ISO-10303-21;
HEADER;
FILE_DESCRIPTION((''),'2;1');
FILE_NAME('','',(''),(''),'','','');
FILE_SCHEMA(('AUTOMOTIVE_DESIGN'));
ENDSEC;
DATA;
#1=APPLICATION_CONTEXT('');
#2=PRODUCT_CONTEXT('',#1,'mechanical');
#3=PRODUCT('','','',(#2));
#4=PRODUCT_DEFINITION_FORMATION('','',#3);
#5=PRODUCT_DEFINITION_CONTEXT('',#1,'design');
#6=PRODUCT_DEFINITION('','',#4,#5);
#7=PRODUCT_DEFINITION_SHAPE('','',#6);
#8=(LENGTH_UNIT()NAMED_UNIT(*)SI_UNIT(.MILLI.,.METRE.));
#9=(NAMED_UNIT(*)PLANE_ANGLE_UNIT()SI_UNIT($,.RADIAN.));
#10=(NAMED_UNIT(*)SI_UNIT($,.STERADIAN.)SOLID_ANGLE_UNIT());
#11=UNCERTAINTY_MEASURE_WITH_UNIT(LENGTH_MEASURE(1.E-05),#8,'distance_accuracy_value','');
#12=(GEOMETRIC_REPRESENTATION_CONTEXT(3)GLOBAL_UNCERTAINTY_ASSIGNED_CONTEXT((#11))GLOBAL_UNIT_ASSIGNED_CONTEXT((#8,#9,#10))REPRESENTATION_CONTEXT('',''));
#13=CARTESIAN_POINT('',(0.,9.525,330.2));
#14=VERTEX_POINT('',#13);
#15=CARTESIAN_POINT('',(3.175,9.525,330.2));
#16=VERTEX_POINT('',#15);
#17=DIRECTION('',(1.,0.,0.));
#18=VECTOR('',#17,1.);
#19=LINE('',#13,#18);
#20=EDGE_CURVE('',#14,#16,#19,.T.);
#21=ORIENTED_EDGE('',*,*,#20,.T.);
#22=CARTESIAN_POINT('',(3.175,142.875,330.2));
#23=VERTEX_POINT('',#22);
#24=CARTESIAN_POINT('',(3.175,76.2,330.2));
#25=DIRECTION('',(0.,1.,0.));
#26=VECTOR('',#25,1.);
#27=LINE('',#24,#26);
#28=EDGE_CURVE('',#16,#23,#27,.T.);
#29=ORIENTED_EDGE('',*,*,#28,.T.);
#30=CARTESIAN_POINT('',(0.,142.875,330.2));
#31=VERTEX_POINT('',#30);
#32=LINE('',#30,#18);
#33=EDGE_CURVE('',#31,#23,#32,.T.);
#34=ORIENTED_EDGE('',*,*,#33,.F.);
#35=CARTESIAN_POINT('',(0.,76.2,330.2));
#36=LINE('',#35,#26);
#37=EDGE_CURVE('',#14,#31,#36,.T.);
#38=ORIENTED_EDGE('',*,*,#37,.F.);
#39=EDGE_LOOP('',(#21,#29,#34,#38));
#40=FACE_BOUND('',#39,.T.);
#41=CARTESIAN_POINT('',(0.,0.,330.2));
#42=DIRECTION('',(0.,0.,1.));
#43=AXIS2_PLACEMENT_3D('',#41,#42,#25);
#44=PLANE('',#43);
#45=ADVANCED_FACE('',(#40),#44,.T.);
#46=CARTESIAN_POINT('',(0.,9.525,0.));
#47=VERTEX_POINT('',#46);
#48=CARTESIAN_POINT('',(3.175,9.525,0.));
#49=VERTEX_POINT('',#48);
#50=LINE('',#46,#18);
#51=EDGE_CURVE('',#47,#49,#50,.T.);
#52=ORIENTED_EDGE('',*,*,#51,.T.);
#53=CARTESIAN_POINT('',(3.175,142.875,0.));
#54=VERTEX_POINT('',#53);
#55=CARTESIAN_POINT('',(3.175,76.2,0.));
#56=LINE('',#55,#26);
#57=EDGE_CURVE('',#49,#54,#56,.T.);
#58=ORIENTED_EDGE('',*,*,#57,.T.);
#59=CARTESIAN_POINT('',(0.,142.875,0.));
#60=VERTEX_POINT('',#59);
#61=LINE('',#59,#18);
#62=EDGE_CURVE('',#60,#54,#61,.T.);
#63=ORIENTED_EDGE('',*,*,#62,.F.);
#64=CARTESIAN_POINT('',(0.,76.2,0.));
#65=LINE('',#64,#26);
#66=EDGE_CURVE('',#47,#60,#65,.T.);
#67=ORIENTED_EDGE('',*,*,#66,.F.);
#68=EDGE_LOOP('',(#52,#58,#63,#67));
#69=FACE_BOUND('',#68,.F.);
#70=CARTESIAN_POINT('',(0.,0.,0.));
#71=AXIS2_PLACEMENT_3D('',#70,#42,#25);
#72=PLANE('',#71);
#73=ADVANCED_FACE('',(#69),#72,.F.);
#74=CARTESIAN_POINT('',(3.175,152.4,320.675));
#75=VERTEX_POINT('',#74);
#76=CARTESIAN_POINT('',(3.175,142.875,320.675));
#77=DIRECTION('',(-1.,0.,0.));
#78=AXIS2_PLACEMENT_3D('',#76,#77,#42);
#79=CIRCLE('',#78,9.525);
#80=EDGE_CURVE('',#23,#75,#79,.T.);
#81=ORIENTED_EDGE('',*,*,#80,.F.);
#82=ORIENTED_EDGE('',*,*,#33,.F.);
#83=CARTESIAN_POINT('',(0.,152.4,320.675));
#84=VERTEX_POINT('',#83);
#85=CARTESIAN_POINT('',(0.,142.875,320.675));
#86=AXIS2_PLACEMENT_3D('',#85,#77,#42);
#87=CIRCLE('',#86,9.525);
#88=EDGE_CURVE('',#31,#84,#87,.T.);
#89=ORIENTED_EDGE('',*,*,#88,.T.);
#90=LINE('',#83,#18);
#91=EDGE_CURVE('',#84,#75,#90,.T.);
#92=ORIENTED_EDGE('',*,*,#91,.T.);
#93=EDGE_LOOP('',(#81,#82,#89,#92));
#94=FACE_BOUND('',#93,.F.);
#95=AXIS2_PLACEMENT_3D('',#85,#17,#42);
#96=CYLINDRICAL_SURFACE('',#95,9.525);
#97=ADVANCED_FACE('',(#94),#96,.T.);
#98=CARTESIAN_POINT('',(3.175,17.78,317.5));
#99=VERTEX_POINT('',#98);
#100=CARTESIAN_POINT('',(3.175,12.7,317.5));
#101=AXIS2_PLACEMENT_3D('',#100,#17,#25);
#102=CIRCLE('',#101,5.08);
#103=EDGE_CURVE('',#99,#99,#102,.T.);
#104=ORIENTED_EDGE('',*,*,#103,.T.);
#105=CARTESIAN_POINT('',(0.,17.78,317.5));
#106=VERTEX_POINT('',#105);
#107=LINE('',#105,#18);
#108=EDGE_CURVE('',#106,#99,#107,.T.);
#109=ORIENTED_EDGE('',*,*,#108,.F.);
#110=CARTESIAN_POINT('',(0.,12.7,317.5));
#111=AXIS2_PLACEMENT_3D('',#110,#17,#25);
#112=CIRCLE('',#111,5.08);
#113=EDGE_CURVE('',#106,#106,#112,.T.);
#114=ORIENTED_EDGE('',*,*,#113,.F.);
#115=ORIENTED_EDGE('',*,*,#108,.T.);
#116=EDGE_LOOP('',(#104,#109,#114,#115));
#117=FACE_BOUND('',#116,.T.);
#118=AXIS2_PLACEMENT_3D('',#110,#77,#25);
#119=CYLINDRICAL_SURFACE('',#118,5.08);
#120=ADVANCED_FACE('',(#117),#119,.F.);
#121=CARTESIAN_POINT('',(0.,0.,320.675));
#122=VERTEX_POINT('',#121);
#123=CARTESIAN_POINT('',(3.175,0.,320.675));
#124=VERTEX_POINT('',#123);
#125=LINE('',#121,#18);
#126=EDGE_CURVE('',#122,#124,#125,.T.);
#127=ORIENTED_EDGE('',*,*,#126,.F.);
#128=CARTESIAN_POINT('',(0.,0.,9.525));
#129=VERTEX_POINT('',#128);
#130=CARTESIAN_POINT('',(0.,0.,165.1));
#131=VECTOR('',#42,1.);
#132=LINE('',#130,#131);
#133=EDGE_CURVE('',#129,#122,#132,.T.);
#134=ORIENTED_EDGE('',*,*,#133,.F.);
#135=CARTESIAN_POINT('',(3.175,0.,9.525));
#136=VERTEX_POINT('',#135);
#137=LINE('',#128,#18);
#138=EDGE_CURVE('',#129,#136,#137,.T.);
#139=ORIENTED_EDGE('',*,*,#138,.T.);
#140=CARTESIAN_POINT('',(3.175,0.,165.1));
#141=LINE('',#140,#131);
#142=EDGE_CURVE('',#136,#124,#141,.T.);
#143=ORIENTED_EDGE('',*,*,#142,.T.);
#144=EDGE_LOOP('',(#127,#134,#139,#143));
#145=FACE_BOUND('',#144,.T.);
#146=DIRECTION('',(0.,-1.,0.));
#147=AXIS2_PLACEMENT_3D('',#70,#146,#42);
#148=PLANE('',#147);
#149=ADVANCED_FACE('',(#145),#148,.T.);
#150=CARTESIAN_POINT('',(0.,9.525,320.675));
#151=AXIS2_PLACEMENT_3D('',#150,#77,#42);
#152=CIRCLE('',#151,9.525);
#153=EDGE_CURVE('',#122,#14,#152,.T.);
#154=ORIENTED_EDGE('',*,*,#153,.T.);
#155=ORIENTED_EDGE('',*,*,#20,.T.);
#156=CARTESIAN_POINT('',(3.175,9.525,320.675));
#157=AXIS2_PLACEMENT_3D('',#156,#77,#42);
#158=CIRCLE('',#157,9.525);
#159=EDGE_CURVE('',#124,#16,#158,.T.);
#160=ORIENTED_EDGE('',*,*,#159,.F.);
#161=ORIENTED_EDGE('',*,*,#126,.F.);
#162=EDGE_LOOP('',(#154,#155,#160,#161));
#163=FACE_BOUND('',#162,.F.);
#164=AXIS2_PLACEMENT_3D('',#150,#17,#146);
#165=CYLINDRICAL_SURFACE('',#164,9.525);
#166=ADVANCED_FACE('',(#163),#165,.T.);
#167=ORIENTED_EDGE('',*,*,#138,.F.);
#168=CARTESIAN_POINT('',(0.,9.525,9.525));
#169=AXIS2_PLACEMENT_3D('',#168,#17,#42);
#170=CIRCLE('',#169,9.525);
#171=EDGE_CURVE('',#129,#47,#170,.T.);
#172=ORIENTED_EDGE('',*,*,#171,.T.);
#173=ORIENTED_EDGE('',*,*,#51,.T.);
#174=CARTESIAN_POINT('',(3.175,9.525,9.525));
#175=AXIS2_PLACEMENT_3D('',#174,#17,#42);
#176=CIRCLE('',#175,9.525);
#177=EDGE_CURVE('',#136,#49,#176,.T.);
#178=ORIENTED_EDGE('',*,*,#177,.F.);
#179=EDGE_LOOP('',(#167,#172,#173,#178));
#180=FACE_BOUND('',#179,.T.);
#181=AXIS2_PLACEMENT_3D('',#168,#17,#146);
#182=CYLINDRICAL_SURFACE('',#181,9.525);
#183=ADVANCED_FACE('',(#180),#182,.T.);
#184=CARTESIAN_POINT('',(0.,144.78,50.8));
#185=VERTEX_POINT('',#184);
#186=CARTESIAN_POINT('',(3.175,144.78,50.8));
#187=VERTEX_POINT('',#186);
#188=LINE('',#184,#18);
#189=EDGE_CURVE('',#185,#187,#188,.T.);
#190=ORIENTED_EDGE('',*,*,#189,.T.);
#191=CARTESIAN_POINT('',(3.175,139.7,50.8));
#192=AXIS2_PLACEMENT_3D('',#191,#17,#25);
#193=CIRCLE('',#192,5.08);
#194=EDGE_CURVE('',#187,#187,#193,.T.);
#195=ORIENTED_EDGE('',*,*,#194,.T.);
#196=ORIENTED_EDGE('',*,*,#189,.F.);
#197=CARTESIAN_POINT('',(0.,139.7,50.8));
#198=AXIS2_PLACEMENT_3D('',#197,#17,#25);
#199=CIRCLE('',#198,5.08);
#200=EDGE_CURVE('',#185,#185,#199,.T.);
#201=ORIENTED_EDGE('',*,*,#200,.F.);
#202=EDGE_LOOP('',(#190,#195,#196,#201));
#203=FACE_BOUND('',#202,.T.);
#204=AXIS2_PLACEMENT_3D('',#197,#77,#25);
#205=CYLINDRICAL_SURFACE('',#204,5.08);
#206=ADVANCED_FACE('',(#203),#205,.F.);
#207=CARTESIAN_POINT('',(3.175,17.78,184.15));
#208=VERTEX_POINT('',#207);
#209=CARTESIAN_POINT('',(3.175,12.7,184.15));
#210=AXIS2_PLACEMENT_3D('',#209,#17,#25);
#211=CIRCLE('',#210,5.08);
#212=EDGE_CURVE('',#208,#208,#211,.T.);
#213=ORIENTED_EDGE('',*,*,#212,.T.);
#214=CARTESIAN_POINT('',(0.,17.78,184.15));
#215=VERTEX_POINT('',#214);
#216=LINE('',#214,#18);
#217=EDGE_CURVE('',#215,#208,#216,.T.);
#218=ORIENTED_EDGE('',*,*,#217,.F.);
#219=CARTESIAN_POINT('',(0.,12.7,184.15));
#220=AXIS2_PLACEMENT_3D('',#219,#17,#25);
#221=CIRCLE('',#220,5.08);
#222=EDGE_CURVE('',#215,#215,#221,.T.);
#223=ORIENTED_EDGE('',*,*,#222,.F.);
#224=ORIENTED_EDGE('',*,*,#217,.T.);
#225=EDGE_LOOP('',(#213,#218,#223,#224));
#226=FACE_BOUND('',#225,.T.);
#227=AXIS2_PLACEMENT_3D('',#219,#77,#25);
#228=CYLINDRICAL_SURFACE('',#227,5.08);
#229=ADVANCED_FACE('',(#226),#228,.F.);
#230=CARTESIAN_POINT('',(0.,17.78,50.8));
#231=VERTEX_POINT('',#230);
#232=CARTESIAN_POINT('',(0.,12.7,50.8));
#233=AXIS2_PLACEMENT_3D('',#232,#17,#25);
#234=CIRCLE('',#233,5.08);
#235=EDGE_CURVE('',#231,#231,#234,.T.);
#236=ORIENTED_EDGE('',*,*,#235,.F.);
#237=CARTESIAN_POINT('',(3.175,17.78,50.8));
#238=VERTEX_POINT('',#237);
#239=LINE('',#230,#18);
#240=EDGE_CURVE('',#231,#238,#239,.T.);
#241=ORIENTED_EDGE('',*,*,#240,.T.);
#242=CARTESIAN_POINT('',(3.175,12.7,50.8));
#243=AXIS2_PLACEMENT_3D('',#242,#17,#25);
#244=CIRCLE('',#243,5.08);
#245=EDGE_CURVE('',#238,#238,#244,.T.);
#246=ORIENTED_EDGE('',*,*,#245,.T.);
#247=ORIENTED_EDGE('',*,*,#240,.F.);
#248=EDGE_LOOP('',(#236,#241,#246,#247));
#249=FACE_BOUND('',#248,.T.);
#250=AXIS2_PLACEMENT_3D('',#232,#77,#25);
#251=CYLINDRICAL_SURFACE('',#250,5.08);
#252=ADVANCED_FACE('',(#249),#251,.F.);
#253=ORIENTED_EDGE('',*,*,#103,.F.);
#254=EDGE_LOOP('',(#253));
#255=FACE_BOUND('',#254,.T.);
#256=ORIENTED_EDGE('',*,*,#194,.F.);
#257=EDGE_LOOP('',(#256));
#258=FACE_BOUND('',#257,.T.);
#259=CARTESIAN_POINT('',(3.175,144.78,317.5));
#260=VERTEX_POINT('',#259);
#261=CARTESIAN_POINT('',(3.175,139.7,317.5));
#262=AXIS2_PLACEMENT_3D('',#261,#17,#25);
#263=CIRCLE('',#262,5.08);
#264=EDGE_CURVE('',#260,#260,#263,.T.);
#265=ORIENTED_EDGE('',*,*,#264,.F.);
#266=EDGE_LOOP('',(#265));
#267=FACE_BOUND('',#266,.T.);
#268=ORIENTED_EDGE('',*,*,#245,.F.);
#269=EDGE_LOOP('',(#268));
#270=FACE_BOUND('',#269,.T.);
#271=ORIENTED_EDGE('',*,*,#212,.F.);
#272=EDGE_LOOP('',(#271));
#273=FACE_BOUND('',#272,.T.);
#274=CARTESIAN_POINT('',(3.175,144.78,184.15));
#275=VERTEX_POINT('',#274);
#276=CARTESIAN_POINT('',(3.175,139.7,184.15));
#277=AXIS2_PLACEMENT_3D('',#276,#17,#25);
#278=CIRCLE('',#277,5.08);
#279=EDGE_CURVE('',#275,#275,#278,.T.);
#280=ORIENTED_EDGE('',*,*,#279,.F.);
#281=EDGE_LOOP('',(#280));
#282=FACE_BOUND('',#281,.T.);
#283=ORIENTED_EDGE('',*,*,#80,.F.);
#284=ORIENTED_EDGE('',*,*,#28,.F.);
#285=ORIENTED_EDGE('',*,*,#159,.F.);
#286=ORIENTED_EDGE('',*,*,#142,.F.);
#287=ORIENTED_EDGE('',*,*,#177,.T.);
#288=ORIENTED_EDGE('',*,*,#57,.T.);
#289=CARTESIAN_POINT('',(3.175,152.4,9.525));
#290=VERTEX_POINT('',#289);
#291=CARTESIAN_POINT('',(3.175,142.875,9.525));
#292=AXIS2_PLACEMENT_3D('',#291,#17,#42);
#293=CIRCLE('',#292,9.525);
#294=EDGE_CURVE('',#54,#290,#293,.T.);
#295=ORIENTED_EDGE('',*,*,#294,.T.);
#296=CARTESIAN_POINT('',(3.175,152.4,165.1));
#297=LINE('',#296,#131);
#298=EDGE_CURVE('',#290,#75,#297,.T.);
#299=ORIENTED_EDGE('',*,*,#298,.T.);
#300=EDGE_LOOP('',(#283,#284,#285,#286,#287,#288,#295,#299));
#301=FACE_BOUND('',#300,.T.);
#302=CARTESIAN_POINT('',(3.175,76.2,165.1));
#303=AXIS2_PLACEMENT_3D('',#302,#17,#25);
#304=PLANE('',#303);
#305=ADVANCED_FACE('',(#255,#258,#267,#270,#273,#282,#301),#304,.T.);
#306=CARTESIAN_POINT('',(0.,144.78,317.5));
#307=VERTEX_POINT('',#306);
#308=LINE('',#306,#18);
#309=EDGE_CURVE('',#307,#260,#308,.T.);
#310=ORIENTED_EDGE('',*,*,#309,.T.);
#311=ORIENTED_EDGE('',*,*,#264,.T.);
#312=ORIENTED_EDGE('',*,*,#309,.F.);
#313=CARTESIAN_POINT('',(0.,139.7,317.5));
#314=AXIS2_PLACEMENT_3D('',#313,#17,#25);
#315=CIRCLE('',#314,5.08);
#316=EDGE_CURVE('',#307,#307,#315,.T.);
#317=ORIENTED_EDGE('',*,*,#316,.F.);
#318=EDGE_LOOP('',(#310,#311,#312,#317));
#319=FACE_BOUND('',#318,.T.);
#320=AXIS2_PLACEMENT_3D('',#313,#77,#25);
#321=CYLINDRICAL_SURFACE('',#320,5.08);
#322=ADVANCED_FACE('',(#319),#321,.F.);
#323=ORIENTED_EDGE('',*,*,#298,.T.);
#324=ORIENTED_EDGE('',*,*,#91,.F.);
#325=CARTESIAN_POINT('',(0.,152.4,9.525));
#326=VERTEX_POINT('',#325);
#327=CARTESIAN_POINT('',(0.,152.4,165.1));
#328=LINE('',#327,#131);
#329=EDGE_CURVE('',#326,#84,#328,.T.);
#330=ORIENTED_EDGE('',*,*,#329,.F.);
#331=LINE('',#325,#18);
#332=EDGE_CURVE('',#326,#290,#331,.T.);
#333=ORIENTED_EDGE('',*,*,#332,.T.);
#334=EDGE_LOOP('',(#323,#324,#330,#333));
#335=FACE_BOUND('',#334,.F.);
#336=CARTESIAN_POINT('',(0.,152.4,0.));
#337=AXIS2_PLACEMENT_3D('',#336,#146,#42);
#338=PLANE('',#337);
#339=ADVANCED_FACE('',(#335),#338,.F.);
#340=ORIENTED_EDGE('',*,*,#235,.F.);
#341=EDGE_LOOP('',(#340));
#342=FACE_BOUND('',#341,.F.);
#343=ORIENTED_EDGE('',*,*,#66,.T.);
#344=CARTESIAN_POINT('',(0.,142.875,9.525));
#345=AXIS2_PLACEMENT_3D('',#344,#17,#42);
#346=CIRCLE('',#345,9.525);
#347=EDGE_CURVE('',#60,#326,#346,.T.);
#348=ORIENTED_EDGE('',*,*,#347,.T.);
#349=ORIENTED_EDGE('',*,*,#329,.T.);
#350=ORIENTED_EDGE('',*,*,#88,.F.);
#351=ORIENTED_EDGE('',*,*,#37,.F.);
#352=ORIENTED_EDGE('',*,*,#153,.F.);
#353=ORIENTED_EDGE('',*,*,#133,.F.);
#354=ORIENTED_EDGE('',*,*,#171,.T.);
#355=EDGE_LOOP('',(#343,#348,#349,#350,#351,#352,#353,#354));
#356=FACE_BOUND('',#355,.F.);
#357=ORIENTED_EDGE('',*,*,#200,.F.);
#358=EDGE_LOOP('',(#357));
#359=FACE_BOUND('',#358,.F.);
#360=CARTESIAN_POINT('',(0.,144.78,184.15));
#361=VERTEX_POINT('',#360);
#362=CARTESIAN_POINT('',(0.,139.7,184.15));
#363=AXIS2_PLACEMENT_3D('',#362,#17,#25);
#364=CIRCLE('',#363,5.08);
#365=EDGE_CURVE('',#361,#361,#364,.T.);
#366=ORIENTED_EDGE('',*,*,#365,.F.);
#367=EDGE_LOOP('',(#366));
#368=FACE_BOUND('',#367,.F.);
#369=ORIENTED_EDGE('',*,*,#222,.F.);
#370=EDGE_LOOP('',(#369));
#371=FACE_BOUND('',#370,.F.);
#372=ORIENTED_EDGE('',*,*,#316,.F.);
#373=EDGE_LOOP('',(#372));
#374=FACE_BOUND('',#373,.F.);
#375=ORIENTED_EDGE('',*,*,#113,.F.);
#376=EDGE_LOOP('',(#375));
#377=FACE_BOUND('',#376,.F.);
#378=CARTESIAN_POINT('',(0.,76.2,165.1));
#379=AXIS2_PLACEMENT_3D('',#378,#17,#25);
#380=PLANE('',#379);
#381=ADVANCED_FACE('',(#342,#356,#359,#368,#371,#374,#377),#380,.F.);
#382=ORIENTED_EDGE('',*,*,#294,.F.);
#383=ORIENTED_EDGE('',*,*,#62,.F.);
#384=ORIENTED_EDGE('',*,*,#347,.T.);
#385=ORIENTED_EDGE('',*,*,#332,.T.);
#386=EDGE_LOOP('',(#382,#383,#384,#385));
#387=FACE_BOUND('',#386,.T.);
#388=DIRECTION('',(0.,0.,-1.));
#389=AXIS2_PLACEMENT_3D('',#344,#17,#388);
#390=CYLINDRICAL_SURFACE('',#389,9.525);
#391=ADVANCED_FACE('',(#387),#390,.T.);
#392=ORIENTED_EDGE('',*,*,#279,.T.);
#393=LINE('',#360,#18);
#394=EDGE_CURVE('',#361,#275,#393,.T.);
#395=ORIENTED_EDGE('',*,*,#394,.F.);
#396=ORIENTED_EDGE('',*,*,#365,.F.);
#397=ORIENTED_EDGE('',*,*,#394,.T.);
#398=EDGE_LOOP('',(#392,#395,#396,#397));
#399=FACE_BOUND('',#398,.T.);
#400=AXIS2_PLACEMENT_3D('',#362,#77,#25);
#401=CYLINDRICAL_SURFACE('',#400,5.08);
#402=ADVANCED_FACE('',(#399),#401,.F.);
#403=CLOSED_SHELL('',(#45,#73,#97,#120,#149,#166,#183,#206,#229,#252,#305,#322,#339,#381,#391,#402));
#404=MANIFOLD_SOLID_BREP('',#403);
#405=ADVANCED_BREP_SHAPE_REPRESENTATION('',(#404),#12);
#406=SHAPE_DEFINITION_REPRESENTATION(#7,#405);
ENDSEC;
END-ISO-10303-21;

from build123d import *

# Parameters (mm, degrees)
F0_W     = 152.4
F0_H     = 330.2
F0_R     = 5.08
F1_DEPTH = 3.175
F2_R     = 9.525


with BuildPart() as f1:
    # F0 (on Right) → F1 (new body)
    with BuildSketch(Plane.YZ):
        with Locations((76.2, 165.1)):
            Rectangle(F0_W, F0_H)
        with Locations((12.7, 50.8)):
            Circle(F0_R, mode=Mode.SUBTRACT)
        with Locations((139.7, 50.8)):
            Circle(F0_R, mode=Mode.SUBTRACT)
        with Locations((12.7, 184.15)):
            Circle(F0_R, mode=Mode.SUBTRACT)
        with Locations((12.7, 317.5)):
            Circle(F0_R, mode=Mode.SUBTRACT)
        with Locations((139.7, 184.15)):
            Circle(F0_R, mode=Mode.SUBTRACT)
        with Locations((139.7, 317.5)):
            Circle(F0_R, mode=Mode.SUBTRACT)
    extrude(amount=F1_DEPTH)

    # F2
    f2_edges = [f1.edges().sort_by_distance(p)[0] for p in [
        (1.5875, 152.4, 330.2),
        (1.5875, 0, 330.2),
        (1.5875, 0, 0),
        (1.5875, 152.4, 0),
    ]]
    fillet(f2_edges, radius=F2_R)


solid = f1.part
